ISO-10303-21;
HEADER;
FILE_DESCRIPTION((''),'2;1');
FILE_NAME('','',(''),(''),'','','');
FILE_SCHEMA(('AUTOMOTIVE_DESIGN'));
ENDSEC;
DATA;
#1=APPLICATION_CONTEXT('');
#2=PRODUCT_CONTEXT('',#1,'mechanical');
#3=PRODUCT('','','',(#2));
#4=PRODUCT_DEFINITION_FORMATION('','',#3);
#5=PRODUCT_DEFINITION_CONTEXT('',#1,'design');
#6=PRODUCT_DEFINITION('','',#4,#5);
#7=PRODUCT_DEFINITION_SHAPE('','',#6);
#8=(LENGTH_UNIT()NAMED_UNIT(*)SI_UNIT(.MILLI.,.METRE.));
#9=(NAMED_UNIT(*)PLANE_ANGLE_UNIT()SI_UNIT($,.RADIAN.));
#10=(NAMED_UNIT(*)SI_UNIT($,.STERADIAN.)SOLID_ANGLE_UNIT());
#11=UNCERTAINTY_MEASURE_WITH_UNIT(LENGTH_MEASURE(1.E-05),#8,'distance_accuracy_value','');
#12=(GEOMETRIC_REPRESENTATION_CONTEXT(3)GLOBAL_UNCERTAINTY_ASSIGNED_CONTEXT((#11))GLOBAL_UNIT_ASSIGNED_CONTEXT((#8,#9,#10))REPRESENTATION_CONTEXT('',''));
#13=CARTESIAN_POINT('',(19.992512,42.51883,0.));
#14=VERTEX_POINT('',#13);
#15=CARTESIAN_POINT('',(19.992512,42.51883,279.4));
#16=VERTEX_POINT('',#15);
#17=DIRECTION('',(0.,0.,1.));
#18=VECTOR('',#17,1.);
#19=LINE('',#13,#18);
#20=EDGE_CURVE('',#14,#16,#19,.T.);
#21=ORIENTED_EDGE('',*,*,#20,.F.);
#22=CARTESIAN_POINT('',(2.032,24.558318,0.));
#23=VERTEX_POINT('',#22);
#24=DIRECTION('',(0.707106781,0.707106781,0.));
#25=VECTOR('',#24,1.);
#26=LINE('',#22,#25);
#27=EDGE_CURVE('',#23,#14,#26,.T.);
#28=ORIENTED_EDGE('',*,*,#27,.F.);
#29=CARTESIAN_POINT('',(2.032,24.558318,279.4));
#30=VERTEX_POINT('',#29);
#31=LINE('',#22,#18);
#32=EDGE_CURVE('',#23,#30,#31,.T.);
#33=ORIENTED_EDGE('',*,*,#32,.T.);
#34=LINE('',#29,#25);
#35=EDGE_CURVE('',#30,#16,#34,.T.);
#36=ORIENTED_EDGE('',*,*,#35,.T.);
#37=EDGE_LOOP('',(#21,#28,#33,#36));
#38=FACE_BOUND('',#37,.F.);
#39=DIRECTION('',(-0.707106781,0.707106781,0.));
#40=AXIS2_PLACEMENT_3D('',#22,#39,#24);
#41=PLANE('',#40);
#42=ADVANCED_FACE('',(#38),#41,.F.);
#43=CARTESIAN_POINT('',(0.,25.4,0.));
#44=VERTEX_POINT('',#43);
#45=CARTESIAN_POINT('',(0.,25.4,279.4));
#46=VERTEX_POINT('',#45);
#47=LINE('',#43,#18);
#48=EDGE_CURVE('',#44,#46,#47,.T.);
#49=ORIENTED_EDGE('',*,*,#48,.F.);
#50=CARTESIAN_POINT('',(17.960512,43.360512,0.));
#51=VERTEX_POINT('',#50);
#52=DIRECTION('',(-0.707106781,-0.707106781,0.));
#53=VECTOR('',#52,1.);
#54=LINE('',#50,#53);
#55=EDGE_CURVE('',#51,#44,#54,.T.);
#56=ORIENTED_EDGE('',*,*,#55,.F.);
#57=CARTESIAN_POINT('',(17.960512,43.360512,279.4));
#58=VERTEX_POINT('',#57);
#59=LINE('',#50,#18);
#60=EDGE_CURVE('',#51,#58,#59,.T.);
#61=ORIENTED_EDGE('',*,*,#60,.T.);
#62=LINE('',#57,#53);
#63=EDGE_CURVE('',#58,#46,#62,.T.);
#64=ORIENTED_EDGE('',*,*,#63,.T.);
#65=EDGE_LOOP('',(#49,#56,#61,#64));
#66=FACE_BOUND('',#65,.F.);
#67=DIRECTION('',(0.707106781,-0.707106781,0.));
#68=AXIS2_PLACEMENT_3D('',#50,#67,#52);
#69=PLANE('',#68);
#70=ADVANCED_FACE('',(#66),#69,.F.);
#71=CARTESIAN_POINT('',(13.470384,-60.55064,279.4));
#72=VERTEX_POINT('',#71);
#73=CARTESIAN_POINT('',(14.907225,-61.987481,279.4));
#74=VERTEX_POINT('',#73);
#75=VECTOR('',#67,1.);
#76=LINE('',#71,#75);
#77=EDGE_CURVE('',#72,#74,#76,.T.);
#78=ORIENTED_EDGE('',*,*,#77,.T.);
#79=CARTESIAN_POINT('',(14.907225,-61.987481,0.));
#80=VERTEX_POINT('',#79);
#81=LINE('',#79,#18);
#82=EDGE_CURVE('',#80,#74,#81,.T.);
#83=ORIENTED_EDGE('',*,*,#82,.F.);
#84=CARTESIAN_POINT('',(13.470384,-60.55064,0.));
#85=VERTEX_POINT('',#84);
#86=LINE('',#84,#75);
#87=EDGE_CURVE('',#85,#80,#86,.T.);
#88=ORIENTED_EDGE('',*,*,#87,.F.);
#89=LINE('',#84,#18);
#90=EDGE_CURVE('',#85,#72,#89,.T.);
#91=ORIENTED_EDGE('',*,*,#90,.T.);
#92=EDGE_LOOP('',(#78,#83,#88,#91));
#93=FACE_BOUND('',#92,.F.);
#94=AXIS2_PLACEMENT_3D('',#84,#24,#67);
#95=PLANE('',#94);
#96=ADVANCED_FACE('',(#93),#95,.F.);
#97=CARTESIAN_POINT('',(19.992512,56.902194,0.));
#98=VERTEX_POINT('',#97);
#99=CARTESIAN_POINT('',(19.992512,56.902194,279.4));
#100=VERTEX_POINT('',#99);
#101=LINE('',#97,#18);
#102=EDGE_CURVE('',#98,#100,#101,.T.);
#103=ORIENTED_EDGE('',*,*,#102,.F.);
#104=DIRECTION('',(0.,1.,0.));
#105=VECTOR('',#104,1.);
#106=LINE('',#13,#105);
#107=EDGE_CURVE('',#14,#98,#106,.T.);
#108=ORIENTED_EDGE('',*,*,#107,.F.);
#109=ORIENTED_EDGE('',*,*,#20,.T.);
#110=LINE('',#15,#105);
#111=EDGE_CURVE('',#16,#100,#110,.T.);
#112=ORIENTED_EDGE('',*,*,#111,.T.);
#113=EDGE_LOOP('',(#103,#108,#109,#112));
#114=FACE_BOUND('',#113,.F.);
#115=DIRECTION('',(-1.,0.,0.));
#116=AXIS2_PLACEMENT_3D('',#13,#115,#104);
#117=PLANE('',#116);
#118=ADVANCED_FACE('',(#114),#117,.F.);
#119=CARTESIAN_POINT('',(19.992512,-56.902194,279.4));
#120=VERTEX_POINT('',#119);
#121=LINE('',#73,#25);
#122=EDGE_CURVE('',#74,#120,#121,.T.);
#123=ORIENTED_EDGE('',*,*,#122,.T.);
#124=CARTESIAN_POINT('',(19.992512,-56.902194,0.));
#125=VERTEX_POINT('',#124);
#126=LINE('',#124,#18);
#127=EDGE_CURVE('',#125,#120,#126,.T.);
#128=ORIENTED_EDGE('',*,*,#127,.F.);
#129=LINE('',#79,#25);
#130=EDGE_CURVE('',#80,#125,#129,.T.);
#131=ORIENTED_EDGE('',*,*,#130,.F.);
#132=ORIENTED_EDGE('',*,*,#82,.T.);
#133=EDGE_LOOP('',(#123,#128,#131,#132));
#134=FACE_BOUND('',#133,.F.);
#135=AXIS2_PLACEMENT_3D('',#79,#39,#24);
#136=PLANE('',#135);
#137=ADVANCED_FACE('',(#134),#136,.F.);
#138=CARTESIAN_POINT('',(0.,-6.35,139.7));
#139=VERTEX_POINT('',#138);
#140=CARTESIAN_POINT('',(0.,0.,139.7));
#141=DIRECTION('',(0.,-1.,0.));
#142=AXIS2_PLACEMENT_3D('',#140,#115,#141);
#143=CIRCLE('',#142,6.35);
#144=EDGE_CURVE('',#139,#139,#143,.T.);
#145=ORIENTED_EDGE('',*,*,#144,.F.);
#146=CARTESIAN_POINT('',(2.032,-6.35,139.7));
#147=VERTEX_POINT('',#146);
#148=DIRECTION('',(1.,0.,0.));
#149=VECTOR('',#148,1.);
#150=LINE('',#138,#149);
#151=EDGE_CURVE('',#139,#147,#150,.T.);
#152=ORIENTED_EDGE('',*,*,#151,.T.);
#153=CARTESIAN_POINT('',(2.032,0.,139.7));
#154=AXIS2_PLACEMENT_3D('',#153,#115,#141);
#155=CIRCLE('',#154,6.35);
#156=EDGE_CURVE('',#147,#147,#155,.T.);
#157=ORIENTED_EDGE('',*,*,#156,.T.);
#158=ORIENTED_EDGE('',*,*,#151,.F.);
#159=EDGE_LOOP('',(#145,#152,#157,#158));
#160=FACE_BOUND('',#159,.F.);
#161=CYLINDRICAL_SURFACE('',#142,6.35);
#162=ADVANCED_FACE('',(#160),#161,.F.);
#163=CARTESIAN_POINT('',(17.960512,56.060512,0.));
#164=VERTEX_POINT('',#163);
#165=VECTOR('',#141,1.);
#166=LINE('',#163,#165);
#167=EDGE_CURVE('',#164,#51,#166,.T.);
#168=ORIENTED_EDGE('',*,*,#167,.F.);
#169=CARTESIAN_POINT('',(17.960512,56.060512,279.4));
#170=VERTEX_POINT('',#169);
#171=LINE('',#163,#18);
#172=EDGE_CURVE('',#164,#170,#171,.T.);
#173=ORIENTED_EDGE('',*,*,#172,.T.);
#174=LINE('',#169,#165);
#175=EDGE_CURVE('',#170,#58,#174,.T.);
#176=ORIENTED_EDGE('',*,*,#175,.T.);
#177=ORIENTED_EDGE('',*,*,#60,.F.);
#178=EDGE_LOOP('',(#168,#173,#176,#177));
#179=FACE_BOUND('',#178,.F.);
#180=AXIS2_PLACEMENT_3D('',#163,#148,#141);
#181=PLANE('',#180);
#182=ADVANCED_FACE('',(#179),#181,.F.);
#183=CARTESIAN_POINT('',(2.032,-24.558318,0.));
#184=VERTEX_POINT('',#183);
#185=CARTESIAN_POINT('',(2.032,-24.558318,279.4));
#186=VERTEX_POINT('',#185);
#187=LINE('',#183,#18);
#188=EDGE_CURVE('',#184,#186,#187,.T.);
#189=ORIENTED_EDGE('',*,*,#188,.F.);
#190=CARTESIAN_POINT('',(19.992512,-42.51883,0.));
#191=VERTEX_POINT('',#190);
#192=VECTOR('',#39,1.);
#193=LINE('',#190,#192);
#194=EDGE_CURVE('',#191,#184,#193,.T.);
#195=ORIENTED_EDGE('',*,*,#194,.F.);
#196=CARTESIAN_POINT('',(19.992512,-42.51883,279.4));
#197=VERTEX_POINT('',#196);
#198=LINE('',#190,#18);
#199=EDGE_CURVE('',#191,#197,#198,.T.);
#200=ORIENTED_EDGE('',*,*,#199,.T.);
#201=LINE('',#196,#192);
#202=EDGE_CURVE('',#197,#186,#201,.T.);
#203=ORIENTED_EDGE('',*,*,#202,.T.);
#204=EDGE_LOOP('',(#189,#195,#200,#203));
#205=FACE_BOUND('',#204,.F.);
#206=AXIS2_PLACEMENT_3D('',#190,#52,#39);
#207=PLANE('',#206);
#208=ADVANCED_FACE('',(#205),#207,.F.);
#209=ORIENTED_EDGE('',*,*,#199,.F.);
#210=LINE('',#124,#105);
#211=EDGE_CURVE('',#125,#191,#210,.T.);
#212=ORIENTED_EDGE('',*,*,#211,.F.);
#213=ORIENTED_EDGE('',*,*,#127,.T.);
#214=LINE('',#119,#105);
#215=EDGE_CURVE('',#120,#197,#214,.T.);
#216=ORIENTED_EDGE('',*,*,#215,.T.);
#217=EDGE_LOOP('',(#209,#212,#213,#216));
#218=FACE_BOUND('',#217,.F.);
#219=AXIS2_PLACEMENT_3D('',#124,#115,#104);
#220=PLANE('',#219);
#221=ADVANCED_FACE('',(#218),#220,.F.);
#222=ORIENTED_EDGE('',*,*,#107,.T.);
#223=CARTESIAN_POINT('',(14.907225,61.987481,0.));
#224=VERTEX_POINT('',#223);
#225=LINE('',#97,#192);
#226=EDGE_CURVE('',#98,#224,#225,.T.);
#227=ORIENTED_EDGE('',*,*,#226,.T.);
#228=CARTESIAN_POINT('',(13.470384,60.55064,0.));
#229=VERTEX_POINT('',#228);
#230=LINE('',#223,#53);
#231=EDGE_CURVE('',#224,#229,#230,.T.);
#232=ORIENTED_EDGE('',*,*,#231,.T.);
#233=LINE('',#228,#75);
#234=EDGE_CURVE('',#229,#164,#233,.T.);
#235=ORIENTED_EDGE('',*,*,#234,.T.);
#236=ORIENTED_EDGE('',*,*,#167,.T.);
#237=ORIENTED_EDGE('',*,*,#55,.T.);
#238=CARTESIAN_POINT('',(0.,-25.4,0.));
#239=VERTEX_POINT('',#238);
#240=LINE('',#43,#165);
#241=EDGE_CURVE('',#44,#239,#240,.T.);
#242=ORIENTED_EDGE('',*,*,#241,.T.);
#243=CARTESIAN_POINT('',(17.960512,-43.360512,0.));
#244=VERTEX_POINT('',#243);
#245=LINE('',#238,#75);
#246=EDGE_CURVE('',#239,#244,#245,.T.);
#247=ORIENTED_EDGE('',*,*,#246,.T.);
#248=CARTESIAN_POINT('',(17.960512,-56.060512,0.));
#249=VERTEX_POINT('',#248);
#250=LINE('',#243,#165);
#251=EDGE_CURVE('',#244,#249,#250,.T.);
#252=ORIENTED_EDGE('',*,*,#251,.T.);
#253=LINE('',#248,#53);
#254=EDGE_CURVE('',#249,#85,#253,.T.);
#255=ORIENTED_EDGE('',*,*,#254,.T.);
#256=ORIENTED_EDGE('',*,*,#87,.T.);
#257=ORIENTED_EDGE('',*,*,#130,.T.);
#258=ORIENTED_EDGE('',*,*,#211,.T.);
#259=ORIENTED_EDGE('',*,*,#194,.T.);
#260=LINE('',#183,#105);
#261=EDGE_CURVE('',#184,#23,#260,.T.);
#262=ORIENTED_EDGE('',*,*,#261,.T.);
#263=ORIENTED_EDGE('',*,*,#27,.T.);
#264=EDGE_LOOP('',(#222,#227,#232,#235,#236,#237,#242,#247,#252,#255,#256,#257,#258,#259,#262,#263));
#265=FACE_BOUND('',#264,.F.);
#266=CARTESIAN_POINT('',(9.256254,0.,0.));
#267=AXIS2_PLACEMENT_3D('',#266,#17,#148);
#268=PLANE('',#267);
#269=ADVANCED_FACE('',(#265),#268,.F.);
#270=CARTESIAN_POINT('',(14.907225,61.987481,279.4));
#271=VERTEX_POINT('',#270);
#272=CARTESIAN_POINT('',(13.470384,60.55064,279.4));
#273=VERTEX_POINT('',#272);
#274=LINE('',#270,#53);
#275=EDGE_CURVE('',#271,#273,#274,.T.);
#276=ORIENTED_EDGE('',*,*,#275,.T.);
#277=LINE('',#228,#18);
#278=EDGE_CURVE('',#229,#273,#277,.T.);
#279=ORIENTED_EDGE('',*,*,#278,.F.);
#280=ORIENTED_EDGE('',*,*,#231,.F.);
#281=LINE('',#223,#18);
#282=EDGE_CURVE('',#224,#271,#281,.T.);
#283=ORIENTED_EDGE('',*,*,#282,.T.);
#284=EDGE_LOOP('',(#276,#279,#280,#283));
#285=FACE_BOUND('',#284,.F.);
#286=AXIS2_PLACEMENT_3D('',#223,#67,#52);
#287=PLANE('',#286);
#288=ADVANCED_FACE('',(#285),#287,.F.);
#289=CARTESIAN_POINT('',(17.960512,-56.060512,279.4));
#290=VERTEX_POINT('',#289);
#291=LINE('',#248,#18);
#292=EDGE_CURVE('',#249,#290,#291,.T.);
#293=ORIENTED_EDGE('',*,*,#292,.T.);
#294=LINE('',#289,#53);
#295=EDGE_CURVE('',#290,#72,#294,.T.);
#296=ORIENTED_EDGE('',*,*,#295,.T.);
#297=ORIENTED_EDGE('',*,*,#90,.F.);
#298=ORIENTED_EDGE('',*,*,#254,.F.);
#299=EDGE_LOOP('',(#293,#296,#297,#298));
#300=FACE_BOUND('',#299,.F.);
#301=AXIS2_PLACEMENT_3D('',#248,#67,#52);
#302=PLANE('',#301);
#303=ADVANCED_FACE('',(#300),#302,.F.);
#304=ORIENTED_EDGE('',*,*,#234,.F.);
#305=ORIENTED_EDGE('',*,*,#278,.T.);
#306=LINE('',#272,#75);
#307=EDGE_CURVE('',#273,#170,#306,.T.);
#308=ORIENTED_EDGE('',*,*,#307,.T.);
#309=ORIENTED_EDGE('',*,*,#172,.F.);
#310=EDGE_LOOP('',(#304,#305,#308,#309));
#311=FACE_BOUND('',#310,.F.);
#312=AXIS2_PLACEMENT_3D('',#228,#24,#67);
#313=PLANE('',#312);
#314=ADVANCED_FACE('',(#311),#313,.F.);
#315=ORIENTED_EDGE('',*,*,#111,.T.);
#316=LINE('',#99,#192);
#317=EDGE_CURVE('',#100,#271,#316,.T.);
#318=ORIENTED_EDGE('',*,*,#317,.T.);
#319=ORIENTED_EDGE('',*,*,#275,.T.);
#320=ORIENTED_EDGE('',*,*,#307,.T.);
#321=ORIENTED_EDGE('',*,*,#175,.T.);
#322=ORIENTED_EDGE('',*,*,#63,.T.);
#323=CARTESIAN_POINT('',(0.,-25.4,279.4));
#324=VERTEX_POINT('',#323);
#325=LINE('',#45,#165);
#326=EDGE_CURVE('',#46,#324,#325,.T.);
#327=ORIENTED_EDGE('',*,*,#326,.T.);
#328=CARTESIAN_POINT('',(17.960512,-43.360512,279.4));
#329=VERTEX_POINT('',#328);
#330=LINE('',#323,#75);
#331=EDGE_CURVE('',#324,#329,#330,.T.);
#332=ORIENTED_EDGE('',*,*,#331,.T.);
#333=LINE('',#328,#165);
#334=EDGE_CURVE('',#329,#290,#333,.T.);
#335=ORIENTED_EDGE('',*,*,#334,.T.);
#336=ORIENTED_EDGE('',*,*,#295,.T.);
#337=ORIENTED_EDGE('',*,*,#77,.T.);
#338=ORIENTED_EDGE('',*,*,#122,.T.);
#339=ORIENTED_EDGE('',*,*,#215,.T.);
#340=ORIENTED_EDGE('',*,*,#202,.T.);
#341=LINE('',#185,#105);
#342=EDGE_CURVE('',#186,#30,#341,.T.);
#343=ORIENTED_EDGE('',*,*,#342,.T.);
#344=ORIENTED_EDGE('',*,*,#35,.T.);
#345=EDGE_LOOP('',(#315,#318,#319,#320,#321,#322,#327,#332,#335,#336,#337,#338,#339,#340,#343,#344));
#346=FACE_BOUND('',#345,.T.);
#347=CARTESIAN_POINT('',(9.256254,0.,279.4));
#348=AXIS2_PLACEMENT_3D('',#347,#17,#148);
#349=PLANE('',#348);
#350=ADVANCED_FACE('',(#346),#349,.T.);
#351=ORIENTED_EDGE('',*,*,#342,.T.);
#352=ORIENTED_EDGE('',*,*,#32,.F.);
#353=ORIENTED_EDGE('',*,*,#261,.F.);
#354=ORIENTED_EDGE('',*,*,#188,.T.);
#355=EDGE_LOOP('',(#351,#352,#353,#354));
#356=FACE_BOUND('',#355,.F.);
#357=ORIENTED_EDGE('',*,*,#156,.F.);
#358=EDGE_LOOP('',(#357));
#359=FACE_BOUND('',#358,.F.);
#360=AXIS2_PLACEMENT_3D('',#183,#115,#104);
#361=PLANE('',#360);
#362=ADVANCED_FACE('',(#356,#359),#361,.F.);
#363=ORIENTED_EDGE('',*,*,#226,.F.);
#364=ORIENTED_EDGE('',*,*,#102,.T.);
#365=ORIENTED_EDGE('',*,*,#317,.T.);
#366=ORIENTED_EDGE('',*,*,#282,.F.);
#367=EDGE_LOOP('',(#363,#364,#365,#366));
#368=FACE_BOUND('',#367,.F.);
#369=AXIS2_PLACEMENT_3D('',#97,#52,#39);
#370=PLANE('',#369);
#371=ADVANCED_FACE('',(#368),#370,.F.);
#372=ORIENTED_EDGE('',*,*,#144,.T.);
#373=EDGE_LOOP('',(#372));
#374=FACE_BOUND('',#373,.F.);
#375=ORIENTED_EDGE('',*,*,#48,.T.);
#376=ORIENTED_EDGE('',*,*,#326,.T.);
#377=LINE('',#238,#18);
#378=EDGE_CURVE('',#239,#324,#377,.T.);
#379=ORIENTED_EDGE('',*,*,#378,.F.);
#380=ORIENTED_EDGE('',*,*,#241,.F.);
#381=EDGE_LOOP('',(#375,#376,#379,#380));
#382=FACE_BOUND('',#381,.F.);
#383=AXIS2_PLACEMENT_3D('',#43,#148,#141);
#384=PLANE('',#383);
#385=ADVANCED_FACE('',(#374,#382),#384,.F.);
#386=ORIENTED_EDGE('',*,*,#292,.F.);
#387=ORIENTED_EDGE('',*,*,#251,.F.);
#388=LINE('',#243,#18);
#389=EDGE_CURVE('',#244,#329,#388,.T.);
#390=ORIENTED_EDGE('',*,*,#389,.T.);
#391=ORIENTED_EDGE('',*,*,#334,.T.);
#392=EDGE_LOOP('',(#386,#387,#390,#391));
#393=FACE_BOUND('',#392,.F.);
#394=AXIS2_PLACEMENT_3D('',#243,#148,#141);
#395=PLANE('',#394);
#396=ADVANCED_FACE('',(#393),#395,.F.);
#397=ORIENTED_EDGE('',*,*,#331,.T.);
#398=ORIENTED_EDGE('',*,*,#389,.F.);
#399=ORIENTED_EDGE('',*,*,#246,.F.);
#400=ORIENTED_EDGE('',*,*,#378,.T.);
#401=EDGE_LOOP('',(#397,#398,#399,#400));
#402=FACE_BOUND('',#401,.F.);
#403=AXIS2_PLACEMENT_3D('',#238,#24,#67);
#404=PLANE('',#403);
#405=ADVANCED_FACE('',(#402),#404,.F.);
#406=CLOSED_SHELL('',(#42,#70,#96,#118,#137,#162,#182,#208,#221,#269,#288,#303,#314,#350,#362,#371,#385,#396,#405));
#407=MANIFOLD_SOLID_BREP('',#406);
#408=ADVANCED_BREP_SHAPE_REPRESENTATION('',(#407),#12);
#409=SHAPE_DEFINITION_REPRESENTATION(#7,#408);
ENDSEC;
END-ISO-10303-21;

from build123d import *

# Parameters (mm, degrees)
F1_DEPTH = 279.4
F2_R     = 6.35
F3_DEPTH = 25.4


with BuildPart() as f1:
    # F0 (on Top) → F1 (new body)
    with BuildSketch(Plane.XY):
        Polygon((0, 25.4), (0, 0), (0, -25.4), (17.960512, -43.360512), (17.960512, -56.060512), (13.470384, -60.55064), (14.907225, -61.987481), (19.992512, -56.902194), (19.992512, -42.51883), (2.032, -24.558318), (2.032, 0), (2.032, 24.558318), (19.992512, 42.51883), (19.992512, 56.902194), (14.907225, 61.987481), (13.470384, 60.55064), (17.960512, 56.060512), (17.960512, 43.360512), align=None)
    extrude(amount=F1_DEPTH)

    # F2 (on face) → F3 (cut)
    with BuildSketch(Plane(origin=(0, 0, 0), x_dir=(0, -1, 0), z_dir=(-1, 0, 0))):
        with Locations((0, 139.7)):
            Circle(F2_R)
    extrude(amount=-F3_DEPTH, mode=Mode.SUBTRACT)


solid = f1.part
